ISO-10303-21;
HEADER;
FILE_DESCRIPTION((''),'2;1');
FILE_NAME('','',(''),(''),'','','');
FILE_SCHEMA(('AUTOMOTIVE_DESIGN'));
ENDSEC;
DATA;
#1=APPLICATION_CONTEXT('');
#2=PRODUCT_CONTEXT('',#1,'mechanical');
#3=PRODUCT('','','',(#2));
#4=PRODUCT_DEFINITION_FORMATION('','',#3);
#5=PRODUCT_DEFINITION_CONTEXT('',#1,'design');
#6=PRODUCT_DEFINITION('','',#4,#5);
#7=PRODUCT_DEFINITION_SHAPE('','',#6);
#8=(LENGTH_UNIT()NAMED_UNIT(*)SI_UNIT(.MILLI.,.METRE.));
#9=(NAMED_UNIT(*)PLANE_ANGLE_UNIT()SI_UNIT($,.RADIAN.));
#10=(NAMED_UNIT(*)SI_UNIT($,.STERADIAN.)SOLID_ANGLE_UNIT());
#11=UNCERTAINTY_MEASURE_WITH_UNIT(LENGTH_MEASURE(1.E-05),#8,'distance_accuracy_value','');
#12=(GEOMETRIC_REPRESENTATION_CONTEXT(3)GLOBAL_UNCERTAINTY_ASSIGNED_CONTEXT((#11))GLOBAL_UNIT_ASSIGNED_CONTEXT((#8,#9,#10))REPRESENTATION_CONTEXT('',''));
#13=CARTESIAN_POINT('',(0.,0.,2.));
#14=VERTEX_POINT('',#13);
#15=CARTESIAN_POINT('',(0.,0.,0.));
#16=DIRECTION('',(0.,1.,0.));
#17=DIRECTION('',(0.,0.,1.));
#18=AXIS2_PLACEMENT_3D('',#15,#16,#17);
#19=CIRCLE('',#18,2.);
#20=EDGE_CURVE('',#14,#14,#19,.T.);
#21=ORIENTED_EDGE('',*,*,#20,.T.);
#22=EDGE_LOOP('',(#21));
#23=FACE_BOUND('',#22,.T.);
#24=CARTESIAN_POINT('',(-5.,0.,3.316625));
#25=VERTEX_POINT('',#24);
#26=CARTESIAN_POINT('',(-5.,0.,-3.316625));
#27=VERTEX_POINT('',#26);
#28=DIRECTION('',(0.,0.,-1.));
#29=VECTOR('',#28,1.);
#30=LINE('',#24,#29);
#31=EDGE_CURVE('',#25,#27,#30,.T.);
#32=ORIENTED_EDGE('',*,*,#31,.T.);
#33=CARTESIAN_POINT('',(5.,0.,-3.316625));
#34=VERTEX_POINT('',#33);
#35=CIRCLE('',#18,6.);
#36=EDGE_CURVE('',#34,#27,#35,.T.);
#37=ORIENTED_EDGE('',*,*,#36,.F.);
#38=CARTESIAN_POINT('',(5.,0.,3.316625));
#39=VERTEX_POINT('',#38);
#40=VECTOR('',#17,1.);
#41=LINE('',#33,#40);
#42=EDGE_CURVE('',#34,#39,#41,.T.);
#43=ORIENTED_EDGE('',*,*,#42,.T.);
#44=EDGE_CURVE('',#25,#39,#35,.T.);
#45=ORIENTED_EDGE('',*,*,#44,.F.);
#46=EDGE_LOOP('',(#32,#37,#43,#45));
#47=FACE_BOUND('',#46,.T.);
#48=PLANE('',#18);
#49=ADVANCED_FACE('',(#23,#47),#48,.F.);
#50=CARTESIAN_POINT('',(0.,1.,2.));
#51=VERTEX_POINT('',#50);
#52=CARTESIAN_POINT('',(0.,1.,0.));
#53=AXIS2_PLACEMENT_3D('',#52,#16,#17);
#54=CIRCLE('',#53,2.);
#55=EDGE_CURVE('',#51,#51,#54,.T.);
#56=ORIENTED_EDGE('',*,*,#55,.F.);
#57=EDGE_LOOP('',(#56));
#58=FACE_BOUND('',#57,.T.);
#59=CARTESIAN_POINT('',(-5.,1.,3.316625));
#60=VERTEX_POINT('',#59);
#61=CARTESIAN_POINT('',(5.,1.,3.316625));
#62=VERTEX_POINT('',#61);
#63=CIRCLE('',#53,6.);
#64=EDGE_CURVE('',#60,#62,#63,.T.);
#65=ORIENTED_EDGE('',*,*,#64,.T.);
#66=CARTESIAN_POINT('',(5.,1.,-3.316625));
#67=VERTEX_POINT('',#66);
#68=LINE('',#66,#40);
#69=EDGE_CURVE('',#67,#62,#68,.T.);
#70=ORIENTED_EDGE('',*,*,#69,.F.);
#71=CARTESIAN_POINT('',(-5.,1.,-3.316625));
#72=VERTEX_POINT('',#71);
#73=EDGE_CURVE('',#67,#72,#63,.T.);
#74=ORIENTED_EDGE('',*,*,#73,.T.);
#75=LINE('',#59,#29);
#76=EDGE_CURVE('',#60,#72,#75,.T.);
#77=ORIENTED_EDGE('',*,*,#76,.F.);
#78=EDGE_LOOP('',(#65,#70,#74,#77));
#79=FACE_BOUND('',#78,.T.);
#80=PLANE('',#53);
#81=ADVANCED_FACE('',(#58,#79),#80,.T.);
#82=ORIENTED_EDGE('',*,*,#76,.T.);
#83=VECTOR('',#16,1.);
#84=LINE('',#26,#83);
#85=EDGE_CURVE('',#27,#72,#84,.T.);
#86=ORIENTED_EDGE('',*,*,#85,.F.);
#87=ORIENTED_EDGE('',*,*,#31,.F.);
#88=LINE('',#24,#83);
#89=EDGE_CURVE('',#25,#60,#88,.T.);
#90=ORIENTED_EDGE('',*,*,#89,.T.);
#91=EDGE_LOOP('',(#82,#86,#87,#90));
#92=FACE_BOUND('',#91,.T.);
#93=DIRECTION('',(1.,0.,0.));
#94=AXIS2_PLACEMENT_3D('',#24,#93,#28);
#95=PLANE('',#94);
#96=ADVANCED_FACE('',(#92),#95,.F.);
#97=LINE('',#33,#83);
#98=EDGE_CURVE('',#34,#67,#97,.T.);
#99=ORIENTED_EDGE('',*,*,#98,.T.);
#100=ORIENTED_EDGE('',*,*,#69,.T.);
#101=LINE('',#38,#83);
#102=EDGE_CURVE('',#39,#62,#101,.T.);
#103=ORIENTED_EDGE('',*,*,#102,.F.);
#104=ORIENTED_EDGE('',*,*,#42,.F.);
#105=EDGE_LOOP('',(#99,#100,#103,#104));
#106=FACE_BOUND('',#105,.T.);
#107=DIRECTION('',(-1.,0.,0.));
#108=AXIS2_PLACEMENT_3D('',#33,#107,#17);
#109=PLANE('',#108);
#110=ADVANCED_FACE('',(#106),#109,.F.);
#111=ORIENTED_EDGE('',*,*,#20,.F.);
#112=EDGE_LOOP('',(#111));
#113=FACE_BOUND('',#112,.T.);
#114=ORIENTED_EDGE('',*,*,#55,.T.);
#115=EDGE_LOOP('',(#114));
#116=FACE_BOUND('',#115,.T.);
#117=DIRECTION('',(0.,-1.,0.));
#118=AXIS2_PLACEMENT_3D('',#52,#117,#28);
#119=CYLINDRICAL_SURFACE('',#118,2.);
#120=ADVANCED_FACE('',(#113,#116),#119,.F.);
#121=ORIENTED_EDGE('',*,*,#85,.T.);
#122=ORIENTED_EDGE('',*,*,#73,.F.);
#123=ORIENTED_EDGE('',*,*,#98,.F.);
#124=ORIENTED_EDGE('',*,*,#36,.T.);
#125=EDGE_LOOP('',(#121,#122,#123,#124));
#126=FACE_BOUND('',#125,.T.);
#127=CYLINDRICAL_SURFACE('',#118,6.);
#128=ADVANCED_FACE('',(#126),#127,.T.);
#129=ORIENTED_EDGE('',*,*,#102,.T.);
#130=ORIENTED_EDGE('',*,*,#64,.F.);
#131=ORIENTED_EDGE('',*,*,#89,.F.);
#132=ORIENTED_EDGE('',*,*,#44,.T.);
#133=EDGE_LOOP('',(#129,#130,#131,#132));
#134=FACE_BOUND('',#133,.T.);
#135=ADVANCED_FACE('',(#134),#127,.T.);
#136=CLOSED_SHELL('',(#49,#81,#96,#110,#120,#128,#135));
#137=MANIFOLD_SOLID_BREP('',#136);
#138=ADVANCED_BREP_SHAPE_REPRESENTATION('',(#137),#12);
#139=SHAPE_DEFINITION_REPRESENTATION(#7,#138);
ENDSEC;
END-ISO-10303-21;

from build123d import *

# Parameters (mm, degrees)
SKETCH1_R           = 6
SKETCH1_R_2         = 2
BOSS_EXTRUDE1_DEPTH = 1
CUT_EXTRUDE1_DEPTH  = 9.544003745


with BuildPart() as part:
    # Sketch1 → Boss-Extrude1 (new body)
    with BuildSketch(Plane(origin=(0, 0, 0), x_dir=(1, 0, 0), z_dir=(0, 1, 0))):
        with Locations(Location((0, 0, 0), (0, 0, 270))):
            Circle(SKETCH1_R)
        with Locations(Location((0, 0, 0), (0, 0, 270))):
            Circle(SKETCH1_R_2, mode=Mode.SUBTRACT)
    extrude(amount=BOSS_EXTRUDE1_DEPTH)

    # Sketch2 → Cut-Extrude1 (cut, through all)
    with BuildSketch(Plane(origin=(0, 1, 0), x_dir=(1, 0, 0), z_dir=(0, 1, 0))):
        with BuildLine():
            Line((-5, -3.31662479), (-5, 3.31662479))
            ThreePointArc((-5, 3.31662479), (-6, 0), (-5, -3.31662479))
        make_face()
        with BuildLine():
            Line((5, 3.31662479), (5, -3.31662479))
            ThreePointArc((5, -3.31662479), (6, 0), (5, 3.31662479))
        make_face()
    extrude(amount=-CUT_EXTRUDE1_DEPTH, mode=Mode.SUBTRACT)


solid = part.part
